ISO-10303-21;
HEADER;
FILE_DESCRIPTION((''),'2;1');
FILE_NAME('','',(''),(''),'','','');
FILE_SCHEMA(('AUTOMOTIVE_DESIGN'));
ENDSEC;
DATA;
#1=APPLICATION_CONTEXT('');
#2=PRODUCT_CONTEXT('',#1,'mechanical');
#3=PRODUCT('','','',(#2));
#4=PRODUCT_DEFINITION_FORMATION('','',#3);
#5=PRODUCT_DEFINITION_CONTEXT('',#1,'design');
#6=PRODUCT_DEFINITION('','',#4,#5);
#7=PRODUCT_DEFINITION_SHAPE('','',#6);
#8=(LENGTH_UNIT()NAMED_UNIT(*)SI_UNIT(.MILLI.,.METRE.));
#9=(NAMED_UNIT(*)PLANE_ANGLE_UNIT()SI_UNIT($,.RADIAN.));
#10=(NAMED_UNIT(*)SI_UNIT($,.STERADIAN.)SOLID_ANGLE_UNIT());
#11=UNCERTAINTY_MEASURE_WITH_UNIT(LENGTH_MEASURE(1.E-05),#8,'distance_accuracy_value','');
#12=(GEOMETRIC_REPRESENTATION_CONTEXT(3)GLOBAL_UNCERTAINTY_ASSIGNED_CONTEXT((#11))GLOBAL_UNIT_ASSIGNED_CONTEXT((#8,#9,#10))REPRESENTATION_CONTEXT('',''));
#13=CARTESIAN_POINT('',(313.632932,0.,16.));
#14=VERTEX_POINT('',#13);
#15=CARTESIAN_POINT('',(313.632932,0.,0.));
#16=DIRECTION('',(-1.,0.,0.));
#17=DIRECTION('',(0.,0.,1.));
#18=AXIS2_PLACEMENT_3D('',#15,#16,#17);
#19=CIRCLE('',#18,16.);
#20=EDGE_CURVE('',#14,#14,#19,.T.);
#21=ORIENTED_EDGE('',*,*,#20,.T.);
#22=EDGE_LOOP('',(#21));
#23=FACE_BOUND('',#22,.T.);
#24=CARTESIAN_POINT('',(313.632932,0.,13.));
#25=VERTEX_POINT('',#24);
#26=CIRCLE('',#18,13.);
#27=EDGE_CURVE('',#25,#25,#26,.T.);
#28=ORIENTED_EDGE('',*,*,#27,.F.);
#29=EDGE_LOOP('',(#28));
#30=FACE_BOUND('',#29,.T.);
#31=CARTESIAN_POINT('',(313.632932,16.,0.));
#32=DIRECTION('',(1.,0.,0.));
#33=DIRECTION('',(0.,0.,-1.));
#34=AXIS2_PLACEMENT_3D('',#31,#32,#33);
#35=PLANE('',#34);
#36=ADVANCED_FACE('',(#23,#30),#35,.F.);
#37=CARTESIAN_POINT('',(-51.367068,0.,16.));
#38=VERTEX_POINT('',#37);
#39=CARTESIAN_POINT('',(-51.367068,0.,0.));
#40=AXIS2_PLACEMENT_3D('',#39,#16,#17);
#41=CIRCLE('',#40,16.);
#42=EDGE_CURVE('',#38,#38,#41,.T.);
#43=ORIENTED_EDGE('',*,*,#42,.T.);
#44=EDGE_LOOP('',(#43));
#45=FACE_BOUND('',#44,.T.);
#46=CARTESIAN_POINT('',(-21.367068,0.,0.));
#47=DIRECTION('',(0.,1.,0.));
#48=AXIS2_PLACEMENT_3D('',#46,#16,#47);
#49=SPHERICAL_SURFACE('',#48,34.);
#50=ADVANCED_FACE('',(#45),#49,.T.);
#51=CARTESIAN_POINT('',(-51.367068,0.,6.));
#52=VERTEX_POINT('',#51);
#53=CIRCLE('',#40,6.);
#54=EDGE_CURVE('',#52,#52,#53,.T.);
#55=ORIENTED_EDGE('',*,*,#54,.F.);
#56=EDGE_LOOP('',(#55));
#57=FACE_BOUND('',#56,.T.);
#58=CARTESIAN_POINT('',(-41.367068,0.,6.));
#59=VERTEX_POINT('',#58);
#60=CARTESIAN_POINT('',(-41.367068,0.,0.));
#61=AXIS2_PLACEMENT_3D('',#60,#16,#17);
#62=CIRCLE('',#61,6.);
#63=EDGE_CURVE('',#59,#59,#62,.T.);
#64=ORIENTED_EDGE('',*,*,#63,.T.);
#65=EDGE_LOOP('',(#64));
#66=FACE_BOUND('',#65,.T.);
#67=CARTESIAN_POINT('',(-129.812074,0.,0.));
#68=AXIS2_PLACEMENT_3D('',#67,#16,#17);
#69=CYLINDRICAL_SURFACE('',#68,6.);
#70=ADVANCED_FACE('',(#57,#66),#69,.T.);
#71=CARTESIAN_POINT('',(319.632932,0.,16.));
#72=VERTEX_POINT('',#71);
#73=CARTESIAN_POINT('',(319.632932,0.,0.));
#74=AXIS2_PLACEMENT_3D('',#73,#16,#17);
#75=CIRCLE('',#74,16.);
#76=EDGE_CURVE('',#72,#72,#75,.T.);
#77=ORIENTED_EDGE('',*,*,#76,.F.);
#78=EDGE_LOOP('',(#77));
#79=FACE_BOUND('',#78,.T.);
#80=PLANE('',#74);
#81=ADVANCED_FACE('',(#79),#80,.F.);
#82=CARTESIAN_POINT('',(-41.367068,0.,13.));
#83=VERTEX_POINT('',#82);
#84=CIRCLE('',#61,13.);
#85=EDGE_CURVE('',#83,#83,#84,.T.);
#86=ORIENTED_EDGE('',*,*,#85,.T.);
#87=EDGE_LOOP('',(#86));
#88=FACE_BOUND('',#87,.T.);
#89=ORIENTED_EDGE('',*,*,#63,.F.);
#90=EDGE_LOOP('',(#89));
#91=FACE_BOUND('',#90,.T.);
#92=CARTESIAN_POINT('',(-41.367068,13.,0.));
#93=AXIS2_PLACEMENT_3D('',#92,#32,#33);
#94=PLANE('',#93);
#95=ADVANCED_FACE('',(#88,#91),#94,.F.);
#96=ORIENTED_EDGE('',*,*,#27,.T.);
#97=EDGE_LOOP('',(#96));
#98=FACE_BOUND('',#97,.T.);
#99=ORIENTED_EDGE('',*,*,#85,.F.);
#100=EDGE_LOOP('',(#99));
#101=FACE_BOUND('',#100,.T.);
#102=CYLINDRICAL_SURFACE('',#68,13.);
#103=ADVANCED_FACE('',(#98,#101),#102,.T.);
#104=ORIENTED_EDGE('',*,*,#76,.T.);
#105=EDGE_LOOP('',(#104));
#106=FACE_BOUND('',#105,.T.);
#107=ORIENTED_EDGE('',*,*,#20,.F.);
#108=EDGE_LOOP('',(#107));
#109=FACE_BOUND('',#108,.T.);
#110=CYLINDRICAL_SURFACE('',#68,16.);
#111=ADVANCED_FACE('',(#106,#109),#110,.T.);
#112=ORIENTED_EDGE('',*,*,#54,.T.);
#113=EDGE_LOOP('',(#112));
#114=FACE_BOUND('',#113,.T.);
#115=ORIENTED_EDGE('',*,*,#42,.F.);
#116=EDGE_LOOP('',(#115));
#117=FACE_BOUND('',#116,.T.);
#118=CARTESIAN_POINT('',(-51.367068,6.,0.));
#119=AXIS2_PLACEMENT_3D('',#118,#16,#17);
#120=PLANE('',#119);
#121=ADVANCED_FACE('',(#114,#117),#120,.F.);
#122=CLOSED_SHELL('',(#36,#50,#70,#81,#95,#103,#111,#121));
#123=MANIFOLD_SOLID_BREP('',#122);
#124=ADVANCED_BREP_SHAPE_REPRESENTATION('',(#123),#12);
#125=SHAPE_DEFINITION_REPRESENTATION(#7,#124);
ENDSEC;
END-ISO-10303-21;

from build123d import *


with BuildPart() as part:
    # Sketch1 → Revolve1 (revolve)
    with BuildSketch(Plane.XY):
        with BuildLine():
            Line((319.632932386, 0), (319.632932386, 16))
            Line((319.632932386, 16), (313.632932386, 16))
            Line((313.632932386, 16), (313.632932386, 13))
            Line((313.632932386, 13), (-41.367067614, 13))
            Line((-41.367067614, 13), (-41.367067614, 6))
            Line((-41.367067614, 6), (-51.367067614, 6))
            Line((-51.367067614, 6), (-51.367067614, 16))
            ThreePointArc((-51.367067614, 16), (-54.351912619, 8.246211251), (-55.367067614, 0))
            Line((-55.367067614, 0), (319.632932386, 0))
        make_face()
    revolve(axis=Axis((-129.812073534, 0, 0), (1, 0, 0)))


solid = part.part
